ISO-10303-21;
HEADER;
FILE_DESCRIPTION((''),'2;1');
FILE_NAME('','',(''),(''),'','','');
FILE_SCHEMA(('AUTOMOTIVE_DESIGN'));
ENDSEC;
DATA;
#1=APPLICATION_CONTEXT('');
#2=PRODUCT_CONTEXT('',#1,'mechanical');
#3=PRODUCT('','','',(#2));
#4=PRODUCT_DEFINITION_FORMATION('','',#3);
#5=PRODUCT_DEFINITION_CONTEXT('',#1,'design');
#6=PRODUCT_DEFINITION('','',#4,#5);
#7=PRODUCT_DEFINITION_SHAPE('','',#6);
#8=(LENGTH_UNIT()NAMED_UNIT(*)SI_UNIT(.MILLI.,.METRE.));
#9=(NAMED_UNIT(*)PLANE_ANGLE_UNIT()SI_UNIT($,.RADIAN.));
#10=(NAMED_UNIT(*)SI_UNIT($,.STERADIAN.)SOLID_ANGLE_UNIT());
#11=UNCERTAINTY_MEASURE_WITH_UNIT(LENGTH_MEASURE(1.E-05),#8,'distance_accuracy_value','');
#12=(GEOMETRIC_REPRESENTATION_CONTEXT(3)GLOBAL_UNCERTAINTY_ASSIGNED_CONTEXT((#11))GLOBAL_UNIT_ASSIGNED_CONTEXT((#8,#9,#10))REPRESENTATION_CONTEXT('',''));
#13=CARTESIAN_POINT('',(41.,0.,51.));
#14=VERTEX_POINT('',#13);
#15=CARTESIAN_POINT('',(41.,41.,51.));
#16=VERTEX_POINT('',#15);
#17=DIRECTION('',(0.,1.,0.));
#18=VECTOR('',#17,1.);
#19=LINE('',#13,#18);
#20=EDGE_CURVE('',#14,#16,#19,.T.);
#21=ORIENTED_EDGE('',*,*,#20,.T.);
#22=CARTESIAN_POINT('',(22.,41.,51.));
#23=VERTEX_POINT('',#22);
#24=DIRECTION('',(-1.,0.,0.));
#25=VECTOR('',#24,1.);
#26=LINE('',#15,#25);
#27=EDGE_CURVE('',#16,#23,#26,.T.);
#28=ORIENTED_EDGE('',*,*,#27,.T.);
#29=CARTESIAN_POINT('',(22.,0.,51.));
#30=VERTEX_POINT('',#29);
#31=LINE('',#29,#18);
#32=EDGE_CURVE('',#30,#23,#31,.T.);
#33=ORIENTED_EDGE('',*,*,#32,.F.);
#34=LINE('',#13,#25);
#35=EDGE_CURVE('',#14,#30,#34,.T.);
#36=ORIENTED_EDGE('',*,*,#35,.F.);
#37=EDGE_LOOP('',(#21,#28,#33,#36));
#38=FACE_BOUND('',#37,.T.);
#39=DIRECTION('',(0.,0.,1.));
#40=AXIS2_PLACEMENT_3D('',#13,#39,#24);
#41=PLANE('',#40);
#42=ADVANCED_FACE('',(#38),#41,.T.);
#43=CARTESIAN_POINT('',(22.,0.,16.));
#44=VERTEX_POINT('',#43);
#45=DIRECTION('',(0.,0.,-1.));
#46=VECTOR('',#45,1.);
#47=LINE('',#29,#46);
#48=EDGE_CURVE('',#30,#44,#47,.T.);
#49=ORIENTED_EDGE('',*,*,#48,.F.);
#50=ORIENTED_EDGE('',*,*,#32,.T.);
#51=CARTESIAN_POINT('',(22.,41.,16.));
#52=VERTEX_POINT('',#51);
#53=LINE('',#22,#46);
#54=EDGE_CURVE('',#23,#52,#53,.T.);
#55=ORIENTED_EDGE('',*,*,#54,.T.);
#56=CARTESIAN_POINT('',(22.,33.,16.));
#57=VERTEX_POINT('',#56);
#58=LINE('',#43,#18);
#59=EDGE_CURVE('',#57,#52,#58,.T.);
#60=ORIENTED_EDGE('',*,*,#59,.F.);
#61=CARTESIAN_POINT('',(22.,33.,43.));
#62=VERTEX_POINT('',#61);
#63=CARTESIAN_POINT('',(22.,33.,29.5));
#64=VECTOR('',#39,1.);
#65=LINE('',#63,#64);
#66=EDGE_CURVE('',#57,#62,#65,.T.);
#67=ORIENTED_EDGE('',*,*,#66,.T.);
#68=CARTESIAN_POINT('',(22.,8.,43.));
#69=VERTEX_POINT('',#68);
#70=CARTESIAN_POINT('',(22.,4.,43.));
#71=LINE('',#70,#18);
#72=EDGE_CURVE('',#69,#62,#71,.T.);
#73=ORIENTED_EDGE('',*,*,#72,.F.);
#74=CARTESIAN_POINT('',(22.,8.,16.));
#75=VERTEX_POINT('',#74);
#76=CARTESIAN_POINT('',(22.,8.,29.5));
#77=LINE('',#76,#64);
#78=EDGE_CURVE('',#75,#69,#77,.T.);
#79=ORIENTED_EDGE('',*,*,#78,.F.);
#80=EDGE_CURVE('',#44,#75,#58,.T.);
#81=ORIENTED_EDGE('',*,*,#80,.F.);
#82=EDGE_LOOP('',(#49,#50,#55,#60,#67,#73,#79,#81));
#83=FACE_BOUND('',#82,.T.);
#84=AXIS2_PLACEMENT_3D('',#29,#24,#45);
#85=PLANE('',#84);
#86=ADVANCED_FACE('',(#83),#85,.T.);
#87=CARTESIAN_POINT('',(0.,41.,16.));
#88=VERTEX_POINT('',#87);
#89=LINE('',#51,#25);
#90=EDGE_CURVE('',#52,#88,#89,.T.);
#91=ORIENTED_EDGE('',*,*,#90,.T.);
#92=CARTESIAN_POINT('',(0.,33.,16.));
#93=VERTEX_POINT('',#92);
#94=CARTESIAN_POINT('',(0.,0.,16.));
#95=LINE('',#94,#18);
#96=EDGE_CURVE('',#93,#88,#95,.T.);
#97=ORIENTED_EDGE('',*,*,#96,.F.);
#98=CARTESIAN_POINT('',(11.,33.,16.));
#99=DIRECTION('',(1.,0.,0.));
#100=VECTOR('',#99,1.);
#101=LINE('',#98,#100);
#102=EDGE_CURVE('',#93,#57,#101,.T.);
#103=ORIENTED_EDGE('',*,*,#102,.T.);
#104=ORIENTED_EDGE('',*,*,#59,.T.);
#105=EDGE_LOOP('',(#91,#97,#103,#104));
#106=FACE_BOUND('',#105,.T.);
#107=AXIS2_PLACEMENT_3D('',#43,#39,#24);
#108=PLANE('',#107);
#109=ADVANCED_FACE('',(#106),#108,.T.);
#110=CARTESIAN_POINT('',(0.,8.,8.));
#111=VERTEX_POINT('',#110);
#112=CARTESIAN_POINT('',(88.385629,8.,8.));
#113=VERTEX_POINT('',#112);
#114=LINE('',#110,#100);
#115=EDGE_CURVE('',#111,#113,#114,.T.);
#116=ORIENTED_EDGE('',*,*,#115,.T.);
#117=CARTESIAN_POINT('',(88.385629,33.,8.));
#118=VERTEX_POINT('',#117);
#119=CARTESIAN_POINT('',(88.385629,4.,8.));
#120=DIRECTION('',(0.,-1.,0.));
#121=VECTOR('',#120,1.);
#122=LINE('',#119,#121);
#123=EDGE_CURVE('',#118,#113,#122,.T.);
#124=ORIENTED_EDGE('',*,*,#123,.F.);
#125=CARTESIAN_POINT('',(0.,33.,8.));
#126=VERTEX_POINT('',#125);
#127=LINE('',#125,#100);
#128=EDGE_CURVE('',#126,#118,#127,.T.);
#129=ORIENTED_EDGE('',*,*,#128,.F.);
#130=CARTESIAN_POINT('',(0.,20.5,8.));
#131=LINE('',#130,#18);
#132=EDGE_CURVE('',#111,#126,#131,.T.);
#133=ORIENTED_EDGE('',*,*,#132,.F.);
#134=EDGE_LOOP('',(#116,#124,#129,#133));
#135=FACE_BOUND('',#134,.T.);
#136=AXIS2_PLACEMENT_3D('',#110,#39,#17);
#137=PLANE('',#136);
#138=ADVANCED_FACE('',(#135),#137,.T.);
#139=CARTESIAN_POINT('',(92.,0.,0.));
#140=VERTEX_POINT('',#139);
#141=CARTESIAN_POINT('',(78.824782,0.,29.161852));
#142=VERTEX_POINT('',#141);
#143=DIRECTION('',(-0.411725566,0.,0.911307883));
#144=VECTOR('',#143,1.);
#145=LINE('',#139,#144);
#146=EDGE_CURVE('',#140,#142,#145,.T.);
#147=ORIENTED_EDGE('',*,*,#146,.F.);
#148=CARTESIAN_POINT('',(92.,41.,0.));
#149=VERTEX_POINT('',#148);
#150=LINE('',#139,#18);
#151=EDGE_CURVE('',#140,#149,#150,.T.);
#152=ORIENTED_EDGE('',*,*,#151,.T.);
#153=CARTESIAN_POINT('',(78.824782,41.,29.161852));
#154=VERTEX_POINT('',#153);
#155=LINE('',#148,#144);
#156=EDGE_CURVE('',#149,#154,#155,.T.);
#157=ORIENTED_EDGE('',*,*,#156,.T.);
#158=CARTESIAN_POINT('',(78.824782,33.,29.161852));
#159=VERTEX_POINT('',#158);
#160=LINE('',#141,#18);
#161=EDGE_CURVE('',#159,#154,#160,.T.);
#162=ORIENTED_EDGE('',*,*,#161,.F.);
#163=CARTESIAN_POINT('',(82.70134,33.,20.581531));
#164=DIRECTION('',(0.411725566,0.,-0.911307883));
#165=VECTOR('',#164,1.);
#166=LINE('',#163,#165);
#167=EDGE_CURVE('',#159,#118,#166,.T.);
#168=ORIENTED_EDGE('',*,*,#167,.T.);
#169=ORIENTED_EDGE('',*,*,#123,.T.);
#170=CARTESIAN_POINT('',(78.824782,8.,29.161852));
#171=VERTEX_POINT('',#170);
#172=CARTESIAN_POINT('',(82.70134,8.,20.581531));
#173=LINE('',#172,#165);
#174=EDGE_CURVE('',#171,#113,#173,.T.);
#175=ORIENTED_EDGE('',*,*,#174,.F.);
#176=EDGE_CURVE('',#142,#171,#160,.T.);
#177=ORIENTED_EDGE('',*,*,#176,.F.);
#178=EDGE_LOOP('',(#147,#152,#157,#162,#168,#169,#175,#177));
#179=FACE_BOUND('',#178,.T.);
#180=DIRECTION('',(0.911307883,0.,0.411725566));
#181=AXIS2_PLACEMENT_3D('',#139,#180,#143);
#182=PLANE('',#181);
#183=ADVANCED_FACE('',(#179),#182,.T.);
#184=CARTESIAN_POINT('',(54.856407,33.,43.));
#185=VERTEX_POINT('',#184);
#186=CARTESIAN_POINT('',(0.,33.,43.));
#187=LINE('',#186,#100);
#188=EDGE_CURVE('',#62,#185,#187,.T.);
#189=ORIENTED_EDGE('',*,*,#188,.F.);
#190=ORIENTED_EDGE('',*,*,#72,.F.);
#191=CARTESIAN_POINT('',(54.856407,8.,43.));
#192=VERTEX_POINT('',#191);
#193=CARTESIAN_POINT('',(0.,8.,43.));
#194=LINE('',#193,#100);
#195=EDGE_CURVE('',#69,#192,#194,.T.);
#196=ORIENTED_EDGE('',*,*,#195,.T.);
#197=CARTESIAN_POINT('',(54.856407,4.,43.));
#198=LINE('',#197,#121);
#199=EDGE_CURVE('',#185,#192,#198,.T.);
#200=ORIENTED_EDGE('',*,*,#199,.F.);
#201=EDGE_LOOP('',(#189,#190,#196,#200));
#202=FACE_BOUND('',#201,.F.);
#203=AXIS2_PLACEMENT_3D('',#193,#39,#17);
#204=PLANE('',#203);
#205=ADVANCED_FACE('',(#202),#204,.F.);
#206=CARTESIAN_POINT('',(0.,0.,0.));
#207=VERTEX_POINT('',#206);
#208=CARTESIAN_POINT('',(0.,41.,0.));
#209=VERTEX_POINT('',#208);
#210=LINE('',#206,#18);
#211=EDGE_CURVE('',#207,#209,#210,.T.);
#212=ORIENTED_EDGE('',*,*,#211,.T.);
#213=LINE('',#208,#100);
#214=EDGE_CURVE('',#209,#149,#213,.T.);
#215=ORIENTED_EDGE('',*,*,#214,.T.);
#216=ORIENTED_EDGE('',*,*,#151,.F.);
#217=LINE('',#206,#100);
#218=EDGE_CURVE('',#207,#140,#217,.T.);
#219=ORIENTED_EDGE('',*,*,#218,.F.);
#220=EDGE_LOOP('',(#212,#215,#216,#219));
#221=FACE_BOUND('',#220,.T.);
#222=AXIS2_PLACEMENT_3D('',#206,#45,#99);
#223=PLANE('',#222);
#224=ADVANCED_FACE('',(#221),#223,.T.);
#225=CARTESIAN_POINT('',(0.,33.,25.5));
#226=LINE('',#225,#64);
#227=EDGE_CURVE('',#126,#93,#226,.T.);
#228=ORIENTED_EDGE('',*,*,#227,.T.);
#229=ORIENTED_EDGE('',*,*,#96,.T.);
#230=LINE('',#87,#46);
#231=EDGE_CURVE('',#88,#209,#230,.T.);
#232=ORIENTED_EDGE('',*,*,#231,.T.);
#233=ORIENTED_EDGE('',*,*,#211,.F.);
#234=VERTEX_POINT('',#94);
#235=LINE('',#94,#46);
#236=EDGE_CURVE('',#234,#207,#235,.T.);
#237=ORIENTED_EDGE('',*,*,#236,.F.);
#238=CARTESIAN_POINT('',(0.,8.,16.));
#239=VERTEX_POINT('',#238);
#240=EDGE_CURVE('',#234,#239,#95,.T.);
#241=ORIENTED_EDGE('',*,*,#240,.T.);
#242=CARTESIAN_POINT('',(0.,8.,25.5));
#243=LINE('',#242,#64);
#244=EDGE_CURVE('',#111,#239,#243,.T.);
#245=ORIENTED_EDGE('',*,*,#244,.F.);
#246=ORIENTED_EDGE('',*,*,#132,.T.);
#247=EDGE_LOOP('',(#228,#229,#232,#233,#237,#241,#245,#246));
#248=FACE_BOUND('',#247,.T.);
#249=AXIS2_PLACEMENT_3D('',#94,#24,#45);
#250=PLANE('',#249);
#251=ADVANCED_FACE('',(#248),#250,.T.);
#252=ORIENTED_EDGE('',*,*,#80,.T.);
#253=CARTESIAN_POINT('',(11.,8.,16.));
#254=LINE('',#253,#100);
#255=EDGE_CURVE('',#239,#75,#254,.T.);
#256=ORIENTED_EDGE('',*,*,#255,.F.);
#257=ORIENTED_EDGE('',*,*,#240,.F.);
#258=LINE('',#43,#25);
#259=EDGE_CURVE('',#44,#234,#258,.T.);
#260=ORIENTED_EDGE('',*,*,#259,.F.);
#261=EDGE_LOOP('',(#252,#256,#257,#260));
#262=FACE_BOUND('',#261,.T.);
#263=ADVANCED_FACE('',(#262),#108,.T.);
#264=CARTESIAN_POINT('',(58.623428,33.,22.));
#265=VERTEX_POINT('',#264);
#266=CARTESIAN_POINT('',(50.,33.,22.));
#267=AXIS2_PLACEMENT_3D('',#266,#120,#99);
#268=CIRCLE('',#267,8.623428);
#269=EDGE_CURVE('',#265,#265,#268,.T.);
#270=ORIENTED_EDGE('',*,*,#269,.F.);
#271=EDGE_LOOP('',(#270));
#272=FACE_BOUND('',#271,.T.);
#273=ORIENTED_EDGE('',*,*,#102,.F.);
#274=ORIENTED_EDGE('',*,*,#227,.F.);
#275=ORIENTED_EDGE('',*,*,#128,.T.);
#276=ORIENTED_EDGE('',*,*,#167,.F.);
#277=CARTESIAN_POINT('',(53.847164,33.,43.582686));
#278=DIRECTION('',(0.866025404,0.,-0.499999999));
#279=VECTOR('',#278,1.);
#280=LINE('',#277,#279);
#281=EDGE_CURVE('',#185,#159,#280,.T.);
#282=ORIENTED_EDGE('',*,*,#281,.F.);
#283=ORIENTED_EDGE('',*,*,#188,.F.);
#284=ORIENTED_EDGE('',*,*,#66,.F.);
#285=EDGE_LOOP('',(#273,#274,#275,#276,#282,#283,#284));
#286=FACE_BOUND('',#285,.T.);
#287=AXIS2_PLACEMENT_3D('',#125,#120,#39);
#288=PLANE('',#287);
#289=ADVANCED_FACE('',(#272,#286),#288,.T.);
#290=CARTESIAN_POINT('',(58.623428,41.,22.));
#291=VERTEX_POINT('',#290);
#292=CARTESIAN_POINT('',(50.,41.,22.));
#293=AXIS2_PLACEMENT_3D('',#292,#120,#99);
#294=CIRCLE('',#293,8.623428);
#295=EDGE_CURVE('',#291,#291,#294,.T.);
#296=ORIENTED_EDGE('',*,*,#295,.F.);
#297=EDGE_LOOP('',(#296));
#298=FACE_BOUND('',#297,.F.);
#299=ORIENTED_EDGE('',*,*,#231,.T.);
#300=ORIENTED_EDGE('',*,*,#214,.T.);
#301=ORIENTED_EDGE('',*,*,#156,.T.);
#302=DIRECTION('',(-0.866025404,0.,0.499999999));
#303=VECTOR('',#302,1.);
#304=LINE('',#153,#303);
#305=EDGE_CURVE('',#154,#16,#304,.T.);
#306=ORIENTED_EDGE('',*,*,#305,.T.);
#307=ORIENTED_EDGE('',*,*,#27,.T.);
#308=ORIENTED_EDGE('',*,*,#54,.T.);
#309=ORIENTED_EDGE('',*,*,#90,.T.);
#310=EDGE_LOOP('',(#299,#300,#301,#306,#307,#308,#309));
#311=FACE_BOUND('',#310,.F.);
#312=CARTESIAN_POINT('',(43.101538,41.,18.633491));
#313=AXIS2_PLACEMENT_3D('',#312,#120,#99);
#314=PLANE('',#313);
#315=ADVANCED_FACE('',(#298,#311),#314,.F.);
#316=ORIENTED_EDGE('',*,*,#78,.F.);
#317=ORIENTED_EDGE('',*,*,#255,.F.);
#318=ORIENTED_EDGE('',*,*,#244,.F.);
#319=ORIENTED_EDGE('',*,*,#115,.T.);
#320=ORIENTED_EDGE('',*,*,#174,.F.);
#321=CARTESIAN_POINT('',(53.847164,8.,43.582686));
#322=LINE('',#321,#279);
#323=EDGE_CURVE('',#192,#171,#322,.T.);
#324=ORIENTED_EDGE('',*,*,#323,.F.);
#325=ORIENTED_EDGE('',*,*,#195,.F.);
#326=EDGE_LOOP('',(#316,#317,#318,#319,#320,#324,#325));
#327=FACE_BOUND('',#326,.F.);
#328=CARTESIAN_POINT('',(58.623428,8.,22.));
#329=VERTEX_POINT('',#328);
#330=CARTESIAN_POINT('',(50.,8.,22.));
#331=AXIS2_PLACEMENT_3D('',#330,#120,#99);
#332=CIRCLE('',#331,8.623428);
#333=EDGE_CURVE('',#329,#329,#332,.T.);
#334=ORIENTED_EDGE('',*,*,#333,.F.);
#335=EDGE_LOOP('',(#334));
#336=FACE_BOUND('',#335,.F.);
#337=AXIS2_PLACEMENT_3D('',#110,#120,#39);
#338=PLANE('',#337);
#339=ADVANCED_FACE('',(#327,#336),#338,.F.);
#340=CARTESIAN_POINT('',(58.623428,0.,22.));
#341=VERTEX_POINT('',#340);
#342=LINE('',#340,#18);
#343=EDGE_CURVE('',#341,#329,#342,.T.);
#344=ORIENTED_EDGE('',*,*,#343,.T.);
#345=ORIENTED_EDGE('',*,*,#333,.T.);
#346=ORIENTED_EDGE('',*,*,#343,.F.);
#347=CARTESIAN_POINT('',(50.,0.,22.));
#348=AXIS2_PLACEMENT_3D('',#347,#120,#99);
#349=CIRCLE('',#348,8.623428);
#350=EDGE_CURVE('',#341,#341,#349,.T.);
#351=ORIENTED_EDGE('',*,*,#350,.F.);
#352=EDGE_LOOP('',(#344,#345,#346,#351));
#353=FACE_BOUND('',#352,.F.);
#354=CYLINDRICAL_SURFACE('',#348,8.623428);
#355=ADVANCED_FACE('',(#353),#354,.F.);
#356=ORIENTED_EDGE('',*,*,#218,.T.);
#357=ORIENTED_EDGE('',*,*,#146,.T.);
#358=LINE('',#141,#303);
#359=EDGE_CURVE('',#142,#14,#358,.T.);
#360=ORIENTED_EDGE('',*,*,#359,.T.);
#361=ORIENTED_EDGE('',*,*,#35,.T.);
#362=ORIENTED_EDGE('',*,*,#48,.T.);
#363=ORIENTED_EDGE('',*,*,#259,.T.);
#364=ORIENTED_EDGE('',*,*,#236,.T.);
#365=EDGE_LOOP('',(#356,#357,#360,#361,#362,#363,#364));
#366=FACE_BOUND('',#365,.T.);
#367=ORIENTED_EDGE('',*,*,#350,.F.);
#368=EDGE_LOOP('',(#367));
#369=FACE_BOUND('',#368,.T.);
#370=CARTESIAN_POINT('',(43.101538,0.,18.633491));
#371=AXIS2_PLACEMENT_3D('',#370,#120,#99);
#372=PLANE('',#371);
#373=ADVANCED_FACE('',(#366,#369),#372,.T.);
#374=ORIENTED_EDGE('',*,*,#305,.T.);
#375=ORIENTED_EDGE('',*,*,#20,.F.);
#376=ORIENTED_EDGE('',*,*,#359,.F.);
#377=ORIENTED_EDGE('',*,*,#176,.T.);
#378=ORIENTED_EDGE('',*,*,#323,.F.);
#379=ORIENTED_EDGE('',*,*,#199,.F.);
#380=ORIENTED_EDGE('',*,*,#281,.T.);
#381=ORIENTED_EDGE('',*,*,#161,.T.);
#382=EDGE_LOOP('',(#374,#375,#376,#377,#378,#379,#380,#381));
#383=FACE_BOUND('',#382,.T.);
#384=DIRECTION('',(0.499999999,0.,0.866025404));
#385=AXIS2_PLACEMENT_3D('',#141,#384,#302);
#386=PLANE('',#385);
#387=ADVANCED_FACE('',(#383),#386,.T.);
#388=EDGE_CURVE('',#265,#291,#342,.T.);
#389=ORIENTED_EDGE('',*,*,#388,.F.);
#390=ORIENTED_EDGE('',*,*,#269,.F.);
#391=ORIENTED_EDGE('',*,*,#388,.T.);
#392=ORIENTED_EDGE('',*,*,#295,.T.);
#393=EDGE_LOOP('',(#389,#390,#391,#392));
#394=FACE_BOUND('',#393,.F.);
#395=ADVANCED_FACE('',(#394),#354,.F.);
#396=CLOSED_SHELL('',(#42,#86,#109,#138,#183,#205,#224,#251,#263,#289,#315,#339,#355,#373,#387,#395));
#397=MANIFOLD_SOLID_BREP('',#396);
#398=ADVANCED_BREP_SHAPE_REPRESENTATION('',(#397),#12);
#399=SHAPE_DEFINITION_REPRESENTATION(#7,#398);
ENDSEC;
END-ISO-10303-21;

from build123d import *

# Parameters (mm, degrees)
F1_DEPTH = 41
F2_W     = 25
F2_H     = 35
F3_DEPTH = 92.001
F4_R     = 8.623428
F5_DEPTH = 41.001


with BuildPart() as f1:
    # F0 (on Front) → F1 (new body)
    with BuildSketch(Plane.XZ):
        Polygon((0, 16), (0, 0), (92, 0), (78.824782, 29.161852), (41, 51), (22, 51), (22, 16), align=None)
    extrude(amount=-F1_DEPTH)

    # F2 (on Right) → F3 (cut, through all)
    with BuildSketch(Plane.YZ):
        with Locations((20.5, 25.5)):
            Rectangle(F2_W, F2_H)
    extrude(amount=F3_DEPTH, mode=Mode.SUBTRACT)

    # F4 (on face) → F5 (cut, through all)
    with BuildSketch(Plane.XZ):
        with Locations((50, 22)):
            Circle(F4_R)
    extrude(amount=-F5_DEPTH, mode=Mode.SUBTRACT)


solid = f1.part
